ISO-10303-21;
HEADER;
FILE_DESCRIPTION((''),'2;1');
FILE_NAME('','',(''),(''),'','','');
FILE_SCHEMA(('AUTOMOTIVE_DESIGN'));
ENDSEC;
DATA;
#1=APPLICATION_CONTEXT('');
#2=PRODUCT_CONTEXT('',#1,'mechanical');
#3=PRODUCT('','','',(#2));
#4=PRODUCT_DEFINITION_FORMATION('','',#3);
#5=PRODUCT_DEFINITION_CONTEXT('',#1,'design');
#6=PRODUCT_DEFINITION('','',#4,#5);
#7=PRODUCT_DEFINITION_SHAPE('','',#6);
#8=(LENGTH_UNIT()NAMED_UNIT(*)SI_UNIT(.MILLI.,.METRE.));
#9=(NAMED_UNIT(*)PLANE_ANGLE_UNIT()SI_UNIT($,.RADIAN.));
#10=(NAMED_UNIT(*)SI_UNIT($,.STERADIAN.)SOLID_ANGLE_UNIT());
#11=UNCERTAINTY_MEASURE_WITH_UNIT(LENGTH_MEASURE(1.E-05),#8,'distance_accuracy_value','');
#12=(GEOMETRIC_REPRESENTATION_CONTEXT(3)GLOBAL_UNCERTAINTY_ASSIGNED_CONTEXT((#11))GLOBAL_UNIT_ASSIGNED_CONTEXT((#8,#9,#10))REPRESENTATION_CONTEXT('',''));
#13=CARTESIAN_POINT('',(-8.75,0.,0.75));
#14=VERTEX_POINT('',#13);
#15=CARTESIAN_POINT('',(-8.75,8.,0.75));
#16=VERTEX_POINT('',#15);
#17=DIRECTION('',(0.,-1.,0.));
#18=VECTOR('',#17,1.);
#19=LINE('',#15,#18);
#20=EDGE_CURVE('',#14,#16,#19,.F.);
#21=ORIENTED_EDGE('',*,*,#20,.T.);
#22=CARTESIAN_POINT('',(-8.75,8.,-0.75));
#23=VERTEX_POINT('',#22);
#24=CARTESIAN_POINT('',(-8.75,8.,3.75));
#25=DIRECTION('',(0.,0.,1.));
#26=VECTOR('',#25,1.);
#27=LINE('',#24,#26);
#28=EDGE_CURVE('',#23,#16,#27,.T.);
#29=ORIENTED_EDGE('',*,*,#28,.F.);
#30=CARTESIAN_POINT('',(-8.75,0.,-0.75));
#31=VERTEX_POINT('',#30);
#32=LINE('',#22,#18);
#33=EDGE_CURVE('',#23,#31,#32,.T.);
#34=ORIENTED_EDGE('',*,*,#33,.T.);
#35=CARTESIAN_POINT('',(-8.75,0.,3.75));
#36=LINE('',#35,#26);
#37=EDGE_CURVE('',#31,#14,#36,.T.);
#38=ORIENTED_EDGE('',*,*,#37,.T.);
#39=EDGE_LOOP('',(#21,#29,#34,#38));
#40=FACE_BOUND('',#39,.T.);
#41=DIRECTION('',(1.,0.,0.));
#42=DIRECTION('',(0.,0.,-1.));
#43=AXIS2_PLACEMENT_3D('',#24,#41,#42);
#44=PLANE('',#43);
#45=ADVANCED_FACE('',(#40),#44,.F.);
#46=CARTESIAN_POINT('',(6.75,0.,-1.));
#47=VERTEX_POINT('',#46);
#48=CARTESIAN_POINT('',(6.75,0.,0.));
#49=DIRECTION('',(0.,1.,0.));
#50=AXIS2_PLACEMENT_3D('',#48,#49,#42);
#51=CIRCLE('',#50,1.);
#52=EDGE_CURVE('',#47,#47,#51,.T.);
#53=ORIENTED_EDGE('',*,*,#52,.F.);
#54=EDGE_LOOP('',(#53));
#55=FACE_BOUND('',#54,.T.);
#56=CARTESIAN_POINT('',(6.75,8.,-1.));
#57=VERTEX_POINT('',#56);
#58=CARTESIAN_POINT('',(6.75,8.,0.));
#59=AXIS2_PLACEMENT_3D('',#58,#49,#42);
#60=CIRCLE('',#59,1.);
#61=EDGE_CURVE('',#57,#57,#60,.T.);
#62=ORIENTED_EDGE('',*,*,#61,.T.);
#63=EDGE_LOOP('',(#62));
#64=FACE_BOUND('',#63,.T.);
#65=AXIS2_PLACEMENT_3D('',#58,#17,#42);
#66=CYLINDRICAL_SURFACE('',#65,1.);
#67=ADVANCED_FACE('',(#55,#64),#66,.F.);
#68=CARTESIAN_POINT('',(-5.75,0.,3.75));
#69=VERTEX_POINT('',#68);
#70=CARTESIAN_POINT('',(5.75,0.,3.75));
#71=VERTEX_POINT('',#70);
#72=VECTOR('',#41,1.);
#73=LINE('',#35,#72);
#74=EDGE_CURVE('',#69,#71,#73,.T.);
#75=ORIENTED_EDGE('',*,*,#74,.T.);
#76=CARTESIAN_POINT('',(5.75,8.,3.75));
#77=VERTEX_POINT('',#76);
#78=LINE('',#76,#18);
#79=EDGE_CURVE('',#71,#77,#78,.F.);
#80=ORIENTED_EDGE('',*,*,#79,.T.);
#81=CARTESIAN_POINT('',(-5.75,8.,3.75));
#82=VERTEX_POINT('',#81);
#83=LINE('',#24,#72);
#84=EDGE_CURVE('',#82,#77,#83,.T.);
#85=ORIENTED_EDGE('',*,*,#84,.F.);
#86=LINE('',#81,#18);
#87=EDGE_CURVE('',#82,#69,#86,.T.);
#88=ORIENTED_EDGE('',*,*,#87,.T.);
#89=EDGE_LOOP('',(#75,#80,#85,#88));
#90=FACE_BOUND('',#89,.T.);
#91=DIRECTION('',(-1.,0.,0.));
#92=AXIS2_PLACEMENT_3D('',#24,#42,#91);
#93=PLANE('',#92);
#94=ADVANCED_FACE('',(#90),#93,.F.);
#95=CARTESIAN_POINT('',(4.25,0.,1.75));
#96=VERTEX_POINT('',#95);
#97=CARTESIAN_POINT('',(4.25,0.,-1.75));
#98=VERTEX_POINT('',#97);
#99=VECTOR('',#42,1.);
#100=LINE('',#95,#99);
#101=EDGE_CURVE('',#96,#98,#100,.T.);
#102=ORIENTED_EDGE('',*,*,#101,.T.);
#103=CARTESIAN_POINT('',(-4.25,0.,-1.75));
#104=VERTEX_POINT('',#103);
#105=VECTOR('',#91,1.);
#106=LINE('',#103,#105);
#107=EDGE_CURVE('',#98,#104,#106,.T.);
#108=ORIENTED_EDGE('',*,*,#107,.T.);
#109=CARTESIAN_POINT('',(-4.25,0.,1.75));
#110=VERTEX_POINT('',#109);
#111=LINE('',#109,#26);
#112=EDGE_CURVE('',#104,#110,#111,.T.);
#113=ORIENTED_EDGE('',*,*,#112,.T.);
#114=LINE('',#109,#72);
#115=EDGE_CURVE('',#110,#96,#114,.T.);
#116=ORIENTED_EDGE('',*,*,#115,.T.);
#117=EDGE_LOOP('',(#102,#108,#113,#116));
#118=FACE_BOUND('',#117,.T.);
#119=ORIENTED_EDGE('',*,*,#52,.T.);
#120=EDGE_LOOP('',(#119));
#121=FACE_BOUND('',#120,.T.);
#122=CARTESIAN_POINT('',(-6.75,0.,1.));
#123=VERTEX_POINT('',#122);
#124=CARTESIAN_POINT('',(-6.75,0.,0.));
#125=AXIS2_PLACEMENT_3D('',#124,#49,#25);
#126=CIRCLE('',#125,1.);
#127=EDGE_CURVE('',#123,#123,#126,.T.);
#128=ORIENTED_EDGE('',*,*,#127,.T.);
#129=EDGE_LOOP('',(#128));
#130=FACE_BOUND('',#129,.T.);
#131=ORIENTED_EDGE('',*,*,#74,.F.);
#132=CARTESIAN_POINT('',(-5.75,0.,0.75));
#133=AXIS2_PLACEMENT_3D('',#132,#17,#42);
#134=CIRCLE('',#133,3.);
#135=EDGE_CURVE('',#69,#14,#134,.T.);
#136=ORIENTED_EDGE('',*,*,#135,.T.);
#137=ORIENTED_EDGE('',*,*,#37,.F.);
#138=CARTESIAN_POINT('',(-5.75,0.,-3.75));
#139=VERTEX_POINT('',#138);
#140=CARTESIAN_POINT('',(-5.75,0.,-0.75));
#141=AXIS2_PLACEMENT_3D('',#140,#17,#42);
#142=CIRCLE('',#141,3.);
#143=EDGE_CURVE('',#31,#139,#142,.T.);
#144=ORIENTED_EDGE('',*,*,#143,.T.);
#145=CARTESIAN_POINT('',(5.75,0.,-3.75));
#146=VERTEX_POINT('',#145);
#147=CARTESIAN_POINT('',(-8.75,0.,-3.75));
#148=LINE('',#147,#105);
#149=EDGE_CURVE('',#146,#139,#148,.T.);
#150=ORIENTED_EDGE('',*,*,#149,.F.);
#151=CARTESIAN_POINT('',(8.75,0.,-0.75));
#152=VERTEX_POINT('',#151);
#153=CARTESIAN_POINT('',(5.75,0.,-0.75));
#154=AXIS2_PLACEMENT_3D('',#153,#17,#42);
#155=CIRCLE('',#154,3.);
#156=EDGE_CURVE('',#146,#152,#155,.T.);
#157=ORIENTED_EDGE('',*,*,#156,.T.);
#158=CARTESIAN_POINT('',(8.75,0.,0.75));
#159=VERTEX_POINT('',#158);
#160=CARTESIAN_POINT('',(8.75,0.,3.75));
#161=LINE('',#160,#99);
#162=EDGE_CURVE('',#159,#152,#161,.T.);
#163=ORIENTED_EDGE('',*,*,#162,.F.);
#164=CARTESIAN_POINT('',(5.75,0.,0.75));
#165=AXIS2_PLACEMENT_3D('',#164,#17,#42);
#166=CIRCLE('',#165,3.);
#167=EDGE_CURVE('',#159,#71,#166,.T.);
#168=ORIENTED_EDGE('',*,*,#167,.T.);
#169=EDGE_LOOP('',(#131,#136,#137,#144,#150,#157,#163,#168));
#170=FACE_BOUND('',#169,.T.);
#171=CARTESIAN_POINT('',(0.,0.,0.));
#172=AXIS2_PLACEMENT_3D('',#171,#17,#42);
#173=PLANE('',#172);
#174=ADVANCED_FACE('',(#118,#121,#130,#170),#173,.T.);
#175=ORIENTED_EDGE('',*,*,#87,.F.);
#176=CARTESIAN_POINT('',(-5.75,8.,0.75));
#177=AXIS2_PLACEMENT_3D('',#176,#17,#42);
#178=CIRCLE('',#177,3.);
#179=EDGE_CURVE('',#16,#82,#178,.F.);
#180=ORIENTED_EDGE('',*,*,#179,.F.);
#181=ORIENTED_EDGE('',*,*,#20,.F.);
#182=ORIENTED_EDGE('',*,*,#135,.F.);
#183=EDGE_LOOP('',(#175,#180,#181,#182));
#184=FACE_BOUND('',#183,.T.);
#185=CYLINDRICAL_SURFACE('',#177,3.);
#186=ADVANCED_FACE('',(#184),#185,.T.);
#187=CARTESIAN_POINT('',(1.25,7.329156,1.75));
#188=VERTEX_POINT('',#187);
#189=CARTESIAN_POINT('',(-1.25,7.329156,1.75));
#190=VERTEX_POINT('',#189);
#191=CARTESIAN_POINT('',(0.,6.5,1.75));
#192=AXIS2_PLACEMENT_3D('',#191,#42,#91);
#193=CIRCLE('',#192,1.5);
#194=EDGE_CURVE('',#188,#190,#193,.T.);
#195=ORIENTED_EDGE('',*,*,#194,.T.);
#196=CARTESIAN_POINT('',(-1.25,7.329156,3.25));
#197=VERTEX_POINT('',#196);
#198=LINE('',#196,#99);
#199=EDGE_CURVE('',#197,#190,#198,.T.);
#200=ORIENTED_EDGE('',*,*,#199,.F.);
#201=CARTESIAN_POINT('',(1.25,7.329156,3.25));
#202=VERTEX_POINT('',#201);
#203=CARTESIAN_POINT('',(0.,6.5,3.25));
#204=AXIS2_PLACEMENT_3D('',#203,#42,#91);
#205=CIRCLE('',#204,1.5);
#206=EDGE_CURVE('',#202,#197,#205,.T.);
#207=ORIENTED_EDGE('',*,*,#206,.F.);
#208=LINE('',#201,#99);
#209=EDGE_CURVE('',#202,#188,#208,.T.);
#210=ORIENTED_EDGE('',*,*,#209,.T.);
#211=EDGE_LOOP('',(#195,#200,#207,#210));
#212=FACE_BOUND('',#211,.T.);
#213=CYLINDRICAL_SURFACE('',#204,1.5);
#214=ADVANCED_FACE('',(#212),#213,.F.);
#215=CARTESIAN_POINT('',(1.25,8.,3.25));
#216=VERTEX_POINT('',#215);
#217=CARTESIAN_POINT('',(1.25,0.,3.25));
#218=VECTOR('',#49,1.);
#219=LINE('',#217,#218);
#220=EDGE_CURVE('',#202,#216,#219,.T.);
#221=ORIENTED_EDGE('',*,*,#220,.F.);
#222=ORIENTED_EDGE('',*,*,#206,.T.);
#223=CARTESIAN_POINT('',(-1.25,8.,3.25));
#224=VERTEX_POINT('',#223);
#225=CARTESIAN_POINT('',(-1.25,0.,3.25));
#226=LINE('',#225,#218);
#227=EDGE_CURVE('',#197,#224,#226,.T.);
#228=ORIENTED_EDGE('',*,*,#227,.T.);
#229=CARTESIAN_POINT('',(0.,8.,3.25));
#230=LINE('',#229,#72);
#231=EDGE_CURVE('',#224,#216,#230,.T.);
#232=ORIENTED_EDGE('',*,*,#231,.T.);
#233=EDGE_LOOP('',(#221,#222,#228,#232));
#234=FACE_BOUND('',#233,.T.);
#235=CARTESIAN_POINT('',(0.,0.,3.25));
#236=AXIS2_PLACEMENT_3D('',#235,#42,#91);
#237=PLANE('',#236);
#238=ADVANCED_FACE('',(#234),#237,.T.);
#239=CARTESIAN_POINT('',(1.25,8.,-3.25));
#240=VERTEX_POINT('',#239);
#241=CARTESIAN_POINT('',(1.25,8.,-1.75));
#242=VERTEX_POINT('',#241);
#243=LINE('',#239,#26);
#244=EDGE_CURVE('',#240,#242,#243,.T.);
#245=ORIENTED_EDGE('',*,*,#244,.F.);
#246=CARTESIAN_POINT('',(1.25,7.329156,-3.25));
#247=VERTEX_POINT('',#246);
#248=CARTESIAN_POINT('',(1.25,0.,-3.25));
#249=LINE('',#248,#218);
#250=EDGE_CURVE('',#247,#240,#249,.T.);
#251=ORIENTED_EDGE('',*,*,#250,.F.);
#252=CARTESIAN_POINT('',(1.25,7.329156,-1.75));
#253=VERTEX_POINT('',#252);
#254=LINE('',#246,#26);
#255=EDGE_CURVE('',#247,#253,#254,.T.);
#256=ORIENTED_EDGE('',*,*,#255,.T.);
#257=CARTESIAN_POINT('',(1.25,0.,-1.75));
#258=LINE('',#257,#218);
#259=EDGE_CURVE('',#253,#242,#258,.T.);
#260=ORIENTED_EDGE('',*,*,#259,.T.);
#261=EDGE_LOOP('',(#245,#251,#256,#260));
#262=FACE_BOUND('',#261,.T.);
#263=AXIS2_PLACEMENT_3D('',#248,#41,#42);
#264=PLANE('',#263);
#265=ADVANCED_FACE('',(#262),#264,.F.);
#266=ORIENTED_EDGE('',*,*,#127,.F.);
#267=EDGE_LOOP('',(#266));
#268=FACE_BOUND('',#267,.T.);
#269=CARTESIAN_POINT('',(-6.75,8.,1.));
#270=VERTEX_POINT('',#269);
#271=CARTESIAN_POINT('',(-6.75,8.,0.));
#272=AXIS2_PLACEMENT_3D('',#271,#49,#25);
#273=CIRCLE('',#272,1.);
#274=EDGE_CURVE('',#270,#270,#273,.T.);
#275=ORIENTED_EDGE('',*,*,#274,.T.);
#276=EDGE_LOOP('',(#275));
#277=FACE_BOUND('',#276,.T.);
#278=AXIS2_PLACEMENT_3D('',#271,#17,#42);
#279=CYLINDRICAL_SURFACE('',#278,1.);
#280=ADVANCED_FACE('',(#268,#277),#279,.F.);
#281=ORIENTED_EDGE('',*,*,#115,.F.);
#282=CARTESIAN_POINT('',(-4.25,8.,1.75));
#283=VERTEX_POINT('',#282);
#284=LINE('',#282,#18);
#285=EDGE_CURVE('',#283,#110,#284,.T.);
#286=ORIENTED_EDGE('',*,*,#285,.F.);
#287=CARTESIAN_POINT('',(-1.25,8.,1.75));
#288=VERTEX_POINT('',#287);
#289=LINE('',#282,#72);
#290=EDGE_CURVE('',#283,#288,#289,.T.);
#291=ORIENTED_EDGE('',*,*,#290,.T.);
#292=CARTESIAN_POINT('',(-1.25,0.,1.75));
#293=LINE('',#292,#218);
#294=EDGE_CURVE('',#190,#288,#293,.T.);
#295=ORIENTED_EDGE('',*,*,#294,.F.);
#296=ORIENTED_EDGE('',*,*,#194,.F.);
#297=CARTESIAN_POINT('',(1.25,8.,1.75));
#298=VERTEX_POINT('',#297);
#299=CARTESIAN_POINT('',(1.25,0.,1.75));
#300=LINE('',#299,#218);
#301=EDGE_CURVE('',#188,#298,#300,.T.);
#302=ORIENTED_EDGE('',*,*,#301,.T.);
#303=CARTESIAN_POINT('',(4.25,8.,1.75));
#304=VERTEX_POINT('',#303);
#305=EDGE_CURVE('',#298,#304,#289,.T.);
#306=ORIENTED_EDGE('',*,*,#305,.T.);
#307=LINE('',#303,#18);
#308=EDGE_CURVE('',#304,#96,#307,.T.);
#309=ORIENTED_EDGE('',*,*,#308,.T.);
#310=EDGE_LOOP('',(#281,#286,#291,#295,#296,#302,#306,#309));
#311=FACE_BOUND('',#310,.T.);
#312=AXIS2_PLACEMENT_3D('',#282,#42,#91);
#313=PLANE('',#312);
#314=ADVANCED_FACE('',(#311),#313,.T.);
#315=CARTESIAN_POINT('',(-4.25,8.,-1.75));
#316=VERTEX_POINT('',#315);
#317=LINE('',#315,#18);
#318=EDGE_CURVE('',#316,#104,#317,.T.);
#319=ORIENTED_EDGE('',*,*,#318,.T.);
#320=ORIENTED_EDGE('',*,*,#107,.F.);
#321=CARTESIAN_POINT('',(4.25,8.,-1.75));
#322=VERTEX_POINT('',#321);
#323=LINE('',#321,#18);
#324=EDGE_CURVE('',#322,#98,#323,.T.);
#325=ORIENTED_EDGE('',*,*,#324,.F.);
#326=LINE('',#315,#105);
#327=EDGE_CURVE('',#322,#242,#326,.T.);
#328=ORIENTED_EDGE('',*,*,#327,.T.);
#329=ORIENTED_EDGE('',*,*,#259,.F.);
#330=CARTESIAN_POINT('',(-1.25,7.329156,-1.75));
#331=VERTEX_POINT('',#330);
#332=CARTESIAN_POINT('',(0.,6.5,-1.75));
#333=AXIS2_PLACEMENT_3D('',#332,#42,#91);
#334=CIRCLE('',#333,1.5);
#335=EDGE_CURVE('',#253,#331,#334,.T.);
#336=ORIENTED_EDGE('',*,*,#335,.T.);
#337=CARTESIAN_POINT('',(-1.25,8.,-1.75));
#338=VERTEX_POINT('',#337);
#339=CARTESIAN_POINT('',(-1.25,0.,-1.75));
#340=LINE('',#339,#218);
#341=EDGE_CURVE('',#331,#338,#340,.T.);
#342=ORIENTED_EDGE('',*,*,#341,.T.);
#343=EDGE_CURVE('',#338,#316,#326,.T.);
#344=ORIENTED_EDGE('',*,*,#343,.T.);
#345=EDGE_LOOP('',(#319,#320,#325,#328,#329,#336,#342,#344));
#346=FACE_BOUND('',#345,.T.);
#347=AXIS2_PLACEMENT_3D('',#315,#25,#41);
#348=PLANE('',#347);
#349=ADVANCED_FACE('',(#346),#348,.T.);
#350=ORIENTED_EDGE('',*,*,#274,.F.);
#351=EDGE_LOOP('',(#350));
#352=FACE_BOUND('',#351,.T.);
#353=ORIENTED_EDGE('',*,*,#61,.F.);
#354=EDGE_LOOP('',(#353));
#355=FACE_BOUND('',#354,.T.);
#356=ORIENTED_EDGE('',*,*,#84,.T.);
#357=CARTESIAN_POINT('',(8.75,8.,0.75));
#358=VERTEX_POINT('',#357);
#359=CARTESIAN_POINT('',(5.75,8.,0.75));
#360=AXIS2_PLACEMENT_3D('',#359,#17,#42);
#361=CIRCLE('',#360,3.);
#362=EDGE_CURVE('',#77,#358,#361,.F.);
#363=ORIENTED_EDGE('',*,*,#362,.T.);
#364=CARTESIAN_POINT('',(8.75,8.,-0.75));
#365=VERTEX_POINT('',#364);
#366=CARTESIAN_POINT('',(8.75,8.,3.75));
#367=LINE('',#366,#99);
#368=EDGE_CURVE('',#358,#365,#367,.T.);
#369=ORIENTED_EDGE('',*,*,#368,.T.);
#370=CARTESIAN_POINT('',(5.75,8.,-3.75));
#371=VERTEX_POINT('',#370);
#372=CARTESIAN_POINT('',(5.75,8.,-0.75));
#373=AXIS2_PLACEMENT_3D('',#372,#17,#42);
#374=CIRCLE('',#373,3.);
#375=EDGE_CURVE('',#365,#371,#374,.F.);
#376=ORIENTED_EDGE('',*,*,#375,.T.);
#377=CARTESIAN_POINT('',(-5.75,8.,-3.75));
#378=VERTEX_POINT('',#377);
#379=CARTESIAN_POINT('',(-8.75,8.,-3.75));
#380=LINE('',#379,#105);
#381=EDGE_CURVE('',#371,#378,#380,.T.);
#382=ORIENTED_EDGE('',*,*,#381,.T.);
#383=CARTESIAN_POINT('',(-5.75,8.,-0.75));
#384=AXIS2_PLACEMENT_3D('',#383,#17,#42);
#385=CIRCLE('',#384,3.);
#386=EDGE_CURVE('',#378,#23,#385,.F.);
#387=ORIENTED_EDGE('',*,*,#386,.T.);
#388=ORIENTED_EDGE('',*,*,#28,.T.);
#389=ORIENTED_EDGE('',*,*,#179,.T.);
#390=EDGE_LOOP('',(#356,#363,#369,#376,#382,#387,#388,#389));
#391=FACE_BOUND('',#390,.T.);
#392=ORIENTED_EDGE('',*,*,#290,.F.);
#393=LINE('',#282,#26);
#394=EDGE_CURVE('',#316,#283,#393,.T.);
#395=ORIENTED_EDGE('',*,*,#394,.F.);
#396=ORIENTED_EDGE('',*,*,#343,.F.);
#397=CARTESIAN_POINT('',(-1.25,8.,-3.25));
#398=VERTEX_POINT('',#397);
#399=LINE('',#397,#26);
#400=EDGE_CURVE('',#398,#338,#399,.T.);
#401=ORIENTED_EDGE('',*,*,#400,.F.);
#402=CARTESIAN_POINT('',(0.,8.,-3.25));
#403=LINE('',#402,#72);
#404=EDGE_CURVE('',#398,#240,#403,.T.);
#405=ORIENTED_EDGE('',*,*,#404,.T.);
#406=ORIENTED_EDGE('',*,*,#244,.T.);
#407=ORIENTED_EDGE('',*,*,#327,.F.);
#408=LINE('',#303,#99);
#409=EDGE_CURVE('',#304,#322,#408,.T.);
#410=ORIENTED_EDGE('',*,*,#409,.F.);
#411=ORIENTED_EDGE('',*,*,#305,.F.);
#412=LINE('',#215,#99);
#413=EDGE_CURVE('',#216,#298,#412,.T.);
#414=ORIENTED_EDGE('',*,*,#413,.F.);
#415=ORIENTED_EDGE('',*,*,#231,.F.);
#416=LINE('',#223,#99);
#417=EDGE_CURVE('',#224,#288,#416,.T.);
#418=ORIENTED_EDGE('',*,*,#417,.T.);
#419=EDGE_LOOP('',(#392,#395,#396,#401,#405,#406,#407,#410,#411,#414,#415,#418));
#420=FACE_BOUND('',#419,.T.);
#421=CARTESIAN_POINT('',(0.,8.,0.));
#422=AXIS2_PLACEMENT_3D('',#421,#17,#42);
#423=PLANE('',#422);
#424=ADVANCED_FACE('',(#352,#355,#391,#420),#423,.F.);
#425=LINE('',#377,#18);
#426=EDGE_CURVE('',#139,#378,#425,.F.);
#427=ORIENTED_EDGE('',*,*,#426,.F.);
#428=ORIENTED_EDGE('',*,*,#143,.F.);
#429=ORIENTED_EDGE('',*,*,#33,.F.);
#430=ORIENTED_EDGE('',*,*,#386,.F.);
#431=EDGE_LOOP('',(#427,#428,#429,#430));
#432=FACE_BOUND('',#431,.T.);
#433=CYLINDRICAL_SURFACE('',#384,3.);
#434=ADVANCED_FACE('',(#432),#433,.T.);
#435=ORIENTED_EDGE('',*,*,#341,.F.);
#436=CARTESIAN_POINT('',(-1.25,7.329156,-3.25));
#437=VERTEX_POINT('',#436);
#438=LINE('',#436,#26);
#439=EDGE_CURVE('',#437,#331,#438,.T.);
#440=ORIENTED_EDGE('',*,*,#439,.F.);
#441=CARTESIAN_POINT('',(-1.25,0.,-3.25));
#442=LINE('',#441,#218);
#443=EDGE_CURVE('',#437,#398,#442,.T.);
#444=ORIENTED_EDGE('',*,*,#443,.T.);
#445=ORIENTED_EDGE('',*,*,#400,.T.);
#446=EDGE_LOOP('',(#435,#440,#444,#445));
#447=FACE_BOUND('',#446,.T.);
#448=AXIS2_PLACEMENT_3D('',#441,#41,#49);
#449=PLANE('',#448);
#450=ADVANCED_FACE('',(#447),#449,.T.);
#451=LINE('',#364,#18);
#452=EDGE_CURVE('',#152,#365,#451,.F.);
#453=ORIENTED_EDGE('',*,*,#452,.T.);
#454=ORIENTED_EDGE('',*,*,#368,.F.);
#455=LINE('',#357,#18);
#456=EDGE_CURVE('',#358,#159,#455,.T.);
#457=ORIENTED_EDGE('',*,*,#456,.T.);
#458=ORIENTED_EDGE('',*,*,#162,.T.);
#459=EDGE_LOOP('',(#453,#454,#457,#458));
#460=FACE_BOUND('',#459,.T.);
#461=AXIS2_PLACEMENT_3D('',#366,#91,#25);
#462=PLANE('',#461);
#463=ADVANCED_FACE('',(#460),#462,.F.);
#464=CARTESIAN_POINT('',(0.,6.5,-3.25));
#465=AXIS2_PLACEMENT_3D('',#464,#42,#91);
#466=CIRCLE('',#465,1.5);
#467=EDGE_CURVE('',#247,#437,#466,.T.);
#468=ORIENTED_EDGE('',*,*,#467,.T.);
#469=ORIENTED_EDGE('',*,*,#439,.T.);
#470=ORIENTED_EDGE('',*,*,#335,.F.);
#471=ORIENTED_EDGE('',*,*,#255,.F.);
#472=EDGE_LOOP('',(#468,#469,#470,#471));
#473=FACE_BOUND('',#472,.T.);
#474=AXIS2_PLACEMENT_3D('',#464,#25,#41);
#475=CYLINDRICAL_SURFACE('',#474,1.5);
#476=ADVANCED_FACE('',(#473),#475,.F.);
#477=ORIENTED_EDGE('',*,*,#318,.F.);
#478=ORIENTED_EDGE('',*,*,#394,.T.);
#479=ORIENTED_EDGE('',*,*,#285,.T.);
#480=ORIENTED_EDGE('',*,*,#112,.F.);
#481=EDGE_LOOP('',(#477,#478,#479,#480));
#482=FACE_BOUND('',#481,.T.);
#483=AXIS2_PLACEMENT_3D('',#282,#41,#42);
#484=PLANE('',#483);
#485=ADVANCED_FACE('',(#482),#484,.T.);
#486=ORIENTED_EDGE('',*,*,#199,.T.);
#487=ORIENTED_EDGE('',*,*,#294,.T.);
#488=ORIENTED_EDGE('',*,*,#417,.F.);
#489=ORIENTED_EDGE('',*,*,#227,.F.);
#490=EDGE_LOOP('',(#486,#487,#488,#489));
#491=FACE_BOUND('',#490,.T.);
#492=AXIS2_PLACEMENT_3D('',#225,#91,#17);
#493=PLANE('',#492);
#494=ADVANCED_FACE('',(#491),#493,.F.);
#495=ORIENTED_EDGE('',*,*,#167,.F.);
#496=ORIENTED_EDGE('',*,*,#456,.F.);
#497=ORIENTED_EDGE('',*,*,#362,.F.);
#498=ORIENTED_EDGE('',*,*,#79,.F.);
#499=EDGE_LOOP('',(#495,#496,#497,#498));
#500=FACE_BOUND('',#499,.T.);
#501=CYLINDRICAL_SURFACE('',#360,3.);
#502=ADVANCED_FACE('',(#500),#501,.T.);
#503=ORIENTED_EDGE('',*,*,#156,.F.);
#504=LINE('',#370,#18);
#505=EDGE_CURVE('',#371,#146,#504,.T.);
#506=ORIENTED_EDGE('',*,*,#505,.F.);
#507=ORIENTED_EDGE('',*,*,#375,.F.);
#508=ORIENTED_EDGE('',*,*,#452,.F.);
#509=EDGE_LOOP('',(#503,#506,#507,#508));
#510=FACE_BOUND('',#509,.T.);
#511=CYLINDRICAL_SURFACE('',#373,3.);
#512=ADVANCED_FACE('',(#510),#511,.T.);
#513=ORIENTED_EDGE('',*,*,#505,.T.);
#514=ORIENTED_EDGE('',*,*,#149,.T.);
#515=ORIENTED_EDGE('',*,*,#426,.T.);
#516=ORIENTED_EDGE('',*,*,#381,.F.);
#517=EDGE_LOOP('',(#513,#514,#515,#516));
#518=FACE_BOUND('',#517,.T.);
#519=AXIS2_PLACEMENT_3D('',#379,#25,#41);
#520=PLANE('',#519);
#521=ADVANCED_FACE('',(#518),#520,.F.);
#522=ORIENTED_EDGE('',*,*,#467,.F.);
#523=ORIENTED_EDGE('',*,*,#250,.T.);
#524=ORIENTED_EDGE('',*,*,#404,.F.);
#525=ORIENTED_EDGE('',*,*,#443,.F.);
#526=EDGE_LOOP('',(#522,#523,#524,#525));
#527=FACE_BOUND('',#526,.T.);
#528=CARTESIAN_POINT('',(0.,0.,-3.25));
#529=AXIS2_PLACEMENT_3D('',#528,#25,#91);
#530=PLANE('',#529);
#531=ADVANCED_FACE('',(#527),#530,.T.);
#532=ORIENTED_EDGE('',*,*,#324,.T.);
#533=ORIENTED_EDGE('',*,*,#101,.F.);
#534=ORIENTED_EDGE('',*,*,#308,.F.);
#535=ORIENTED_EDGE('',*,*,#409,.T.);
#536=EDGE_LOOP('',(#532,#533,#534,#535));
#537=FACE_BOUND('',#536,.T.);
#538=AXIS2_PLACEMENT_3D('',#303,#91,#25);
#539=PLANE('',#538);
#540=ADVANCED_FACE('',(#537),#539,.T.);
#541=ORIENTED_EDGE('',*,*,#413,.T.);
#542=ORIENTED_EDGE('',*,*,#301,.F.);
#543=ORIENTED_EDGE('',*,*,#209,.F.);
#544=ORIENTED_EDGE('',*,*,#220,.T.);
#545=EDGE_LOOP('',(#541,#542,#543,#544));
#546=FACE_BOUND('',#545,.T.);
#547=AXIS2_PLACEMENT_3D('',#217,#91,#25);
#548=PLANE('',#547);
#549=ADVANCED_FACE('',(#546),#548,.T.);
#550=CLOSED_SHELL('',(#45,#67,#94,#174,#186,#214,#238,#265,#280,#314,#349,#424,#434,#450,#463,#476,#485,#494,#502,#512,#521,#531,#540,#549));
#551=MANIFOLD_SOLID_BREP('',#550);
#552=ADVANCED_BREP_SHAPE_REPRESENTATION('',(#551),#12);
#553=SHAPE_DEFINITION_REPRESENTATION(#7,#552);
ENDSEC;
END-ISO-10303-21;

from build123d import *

# Parameters (mm, degrees)
SKETCH1_W           = 17.5
SKETCH1_H           = 7.5
SKETCH1_R           = 1
SKETCH1_W_2         = 8.5
SKETCH1_H_2         = 3.5
BOSS_EXTRUDE1_DEPTH = 8
FILLET1_R           = 3
SKETCH3_R           = 1.5
SKETCH3_W           = 2.5
SKETCH3_H           = 1.5
CUT_EXTRUDE1_DEPTH  = 1.5


with BuildPart() as part:
    # Sketch1 → Boss-Extrude1 (new body)
    with BuildSketch(Plane(origin=(0, 0, 0), x_dir=(1, 0, 0), z_dir=(0, 1, 0))):
        Rectangle(SKETCH1_W, SKETCH1_H)
        with Locations((-6.75, 0)):
            Circle(SKETCH1_R, mode=Mode.SUBTRACT)
        with Locations((6.75, 0)):
            Circle(SKETCH1_R, mode=Mode.SUBTRACT)
        Rectangle(SKETCH1_W_2, SKETCH1_H_2, mode=Mode.SUBTRACT)
    extrude(amount=BOSS_EXTRUDE1_DEPTH)

    # Fillet1
    fillet1_edges = [part.edges().sort_by_distance(p)[0] for p in [
        (8.75, 4, 3.75),
        (-8.75, 4, 3.75),
        (-8.75, 4, -3.75),
        (8.75, 4, -3.75),
    ]]
    fillet(fillet1_edges, radius=FILLET1_R)

    # Sketch3 → Cut-Extrude1 (cut)
    with BuildSketch(Plane(origin=(0, 0, 1.75), x_dir=(-1, 0, 0), z_dir=(0, 0, -1))):
        with Locations((0, 6.5)):
            Circle(SKETCH3_R)
        with Locations((0, 7.25)):
            Rectangle(SKETCH3_W, SKETCH3_H)
    cut_extrude1 = extrude(amount=-CUT_EXTRUDE1_DEPTH, mode=Mode.SUBTRACT)

    # Mirror1: Cut-Extrude1 across plane
    add(cut_extrude1.mirror(Plane.XY), mode=Mode.SUBTRACT)


solid = part.part
